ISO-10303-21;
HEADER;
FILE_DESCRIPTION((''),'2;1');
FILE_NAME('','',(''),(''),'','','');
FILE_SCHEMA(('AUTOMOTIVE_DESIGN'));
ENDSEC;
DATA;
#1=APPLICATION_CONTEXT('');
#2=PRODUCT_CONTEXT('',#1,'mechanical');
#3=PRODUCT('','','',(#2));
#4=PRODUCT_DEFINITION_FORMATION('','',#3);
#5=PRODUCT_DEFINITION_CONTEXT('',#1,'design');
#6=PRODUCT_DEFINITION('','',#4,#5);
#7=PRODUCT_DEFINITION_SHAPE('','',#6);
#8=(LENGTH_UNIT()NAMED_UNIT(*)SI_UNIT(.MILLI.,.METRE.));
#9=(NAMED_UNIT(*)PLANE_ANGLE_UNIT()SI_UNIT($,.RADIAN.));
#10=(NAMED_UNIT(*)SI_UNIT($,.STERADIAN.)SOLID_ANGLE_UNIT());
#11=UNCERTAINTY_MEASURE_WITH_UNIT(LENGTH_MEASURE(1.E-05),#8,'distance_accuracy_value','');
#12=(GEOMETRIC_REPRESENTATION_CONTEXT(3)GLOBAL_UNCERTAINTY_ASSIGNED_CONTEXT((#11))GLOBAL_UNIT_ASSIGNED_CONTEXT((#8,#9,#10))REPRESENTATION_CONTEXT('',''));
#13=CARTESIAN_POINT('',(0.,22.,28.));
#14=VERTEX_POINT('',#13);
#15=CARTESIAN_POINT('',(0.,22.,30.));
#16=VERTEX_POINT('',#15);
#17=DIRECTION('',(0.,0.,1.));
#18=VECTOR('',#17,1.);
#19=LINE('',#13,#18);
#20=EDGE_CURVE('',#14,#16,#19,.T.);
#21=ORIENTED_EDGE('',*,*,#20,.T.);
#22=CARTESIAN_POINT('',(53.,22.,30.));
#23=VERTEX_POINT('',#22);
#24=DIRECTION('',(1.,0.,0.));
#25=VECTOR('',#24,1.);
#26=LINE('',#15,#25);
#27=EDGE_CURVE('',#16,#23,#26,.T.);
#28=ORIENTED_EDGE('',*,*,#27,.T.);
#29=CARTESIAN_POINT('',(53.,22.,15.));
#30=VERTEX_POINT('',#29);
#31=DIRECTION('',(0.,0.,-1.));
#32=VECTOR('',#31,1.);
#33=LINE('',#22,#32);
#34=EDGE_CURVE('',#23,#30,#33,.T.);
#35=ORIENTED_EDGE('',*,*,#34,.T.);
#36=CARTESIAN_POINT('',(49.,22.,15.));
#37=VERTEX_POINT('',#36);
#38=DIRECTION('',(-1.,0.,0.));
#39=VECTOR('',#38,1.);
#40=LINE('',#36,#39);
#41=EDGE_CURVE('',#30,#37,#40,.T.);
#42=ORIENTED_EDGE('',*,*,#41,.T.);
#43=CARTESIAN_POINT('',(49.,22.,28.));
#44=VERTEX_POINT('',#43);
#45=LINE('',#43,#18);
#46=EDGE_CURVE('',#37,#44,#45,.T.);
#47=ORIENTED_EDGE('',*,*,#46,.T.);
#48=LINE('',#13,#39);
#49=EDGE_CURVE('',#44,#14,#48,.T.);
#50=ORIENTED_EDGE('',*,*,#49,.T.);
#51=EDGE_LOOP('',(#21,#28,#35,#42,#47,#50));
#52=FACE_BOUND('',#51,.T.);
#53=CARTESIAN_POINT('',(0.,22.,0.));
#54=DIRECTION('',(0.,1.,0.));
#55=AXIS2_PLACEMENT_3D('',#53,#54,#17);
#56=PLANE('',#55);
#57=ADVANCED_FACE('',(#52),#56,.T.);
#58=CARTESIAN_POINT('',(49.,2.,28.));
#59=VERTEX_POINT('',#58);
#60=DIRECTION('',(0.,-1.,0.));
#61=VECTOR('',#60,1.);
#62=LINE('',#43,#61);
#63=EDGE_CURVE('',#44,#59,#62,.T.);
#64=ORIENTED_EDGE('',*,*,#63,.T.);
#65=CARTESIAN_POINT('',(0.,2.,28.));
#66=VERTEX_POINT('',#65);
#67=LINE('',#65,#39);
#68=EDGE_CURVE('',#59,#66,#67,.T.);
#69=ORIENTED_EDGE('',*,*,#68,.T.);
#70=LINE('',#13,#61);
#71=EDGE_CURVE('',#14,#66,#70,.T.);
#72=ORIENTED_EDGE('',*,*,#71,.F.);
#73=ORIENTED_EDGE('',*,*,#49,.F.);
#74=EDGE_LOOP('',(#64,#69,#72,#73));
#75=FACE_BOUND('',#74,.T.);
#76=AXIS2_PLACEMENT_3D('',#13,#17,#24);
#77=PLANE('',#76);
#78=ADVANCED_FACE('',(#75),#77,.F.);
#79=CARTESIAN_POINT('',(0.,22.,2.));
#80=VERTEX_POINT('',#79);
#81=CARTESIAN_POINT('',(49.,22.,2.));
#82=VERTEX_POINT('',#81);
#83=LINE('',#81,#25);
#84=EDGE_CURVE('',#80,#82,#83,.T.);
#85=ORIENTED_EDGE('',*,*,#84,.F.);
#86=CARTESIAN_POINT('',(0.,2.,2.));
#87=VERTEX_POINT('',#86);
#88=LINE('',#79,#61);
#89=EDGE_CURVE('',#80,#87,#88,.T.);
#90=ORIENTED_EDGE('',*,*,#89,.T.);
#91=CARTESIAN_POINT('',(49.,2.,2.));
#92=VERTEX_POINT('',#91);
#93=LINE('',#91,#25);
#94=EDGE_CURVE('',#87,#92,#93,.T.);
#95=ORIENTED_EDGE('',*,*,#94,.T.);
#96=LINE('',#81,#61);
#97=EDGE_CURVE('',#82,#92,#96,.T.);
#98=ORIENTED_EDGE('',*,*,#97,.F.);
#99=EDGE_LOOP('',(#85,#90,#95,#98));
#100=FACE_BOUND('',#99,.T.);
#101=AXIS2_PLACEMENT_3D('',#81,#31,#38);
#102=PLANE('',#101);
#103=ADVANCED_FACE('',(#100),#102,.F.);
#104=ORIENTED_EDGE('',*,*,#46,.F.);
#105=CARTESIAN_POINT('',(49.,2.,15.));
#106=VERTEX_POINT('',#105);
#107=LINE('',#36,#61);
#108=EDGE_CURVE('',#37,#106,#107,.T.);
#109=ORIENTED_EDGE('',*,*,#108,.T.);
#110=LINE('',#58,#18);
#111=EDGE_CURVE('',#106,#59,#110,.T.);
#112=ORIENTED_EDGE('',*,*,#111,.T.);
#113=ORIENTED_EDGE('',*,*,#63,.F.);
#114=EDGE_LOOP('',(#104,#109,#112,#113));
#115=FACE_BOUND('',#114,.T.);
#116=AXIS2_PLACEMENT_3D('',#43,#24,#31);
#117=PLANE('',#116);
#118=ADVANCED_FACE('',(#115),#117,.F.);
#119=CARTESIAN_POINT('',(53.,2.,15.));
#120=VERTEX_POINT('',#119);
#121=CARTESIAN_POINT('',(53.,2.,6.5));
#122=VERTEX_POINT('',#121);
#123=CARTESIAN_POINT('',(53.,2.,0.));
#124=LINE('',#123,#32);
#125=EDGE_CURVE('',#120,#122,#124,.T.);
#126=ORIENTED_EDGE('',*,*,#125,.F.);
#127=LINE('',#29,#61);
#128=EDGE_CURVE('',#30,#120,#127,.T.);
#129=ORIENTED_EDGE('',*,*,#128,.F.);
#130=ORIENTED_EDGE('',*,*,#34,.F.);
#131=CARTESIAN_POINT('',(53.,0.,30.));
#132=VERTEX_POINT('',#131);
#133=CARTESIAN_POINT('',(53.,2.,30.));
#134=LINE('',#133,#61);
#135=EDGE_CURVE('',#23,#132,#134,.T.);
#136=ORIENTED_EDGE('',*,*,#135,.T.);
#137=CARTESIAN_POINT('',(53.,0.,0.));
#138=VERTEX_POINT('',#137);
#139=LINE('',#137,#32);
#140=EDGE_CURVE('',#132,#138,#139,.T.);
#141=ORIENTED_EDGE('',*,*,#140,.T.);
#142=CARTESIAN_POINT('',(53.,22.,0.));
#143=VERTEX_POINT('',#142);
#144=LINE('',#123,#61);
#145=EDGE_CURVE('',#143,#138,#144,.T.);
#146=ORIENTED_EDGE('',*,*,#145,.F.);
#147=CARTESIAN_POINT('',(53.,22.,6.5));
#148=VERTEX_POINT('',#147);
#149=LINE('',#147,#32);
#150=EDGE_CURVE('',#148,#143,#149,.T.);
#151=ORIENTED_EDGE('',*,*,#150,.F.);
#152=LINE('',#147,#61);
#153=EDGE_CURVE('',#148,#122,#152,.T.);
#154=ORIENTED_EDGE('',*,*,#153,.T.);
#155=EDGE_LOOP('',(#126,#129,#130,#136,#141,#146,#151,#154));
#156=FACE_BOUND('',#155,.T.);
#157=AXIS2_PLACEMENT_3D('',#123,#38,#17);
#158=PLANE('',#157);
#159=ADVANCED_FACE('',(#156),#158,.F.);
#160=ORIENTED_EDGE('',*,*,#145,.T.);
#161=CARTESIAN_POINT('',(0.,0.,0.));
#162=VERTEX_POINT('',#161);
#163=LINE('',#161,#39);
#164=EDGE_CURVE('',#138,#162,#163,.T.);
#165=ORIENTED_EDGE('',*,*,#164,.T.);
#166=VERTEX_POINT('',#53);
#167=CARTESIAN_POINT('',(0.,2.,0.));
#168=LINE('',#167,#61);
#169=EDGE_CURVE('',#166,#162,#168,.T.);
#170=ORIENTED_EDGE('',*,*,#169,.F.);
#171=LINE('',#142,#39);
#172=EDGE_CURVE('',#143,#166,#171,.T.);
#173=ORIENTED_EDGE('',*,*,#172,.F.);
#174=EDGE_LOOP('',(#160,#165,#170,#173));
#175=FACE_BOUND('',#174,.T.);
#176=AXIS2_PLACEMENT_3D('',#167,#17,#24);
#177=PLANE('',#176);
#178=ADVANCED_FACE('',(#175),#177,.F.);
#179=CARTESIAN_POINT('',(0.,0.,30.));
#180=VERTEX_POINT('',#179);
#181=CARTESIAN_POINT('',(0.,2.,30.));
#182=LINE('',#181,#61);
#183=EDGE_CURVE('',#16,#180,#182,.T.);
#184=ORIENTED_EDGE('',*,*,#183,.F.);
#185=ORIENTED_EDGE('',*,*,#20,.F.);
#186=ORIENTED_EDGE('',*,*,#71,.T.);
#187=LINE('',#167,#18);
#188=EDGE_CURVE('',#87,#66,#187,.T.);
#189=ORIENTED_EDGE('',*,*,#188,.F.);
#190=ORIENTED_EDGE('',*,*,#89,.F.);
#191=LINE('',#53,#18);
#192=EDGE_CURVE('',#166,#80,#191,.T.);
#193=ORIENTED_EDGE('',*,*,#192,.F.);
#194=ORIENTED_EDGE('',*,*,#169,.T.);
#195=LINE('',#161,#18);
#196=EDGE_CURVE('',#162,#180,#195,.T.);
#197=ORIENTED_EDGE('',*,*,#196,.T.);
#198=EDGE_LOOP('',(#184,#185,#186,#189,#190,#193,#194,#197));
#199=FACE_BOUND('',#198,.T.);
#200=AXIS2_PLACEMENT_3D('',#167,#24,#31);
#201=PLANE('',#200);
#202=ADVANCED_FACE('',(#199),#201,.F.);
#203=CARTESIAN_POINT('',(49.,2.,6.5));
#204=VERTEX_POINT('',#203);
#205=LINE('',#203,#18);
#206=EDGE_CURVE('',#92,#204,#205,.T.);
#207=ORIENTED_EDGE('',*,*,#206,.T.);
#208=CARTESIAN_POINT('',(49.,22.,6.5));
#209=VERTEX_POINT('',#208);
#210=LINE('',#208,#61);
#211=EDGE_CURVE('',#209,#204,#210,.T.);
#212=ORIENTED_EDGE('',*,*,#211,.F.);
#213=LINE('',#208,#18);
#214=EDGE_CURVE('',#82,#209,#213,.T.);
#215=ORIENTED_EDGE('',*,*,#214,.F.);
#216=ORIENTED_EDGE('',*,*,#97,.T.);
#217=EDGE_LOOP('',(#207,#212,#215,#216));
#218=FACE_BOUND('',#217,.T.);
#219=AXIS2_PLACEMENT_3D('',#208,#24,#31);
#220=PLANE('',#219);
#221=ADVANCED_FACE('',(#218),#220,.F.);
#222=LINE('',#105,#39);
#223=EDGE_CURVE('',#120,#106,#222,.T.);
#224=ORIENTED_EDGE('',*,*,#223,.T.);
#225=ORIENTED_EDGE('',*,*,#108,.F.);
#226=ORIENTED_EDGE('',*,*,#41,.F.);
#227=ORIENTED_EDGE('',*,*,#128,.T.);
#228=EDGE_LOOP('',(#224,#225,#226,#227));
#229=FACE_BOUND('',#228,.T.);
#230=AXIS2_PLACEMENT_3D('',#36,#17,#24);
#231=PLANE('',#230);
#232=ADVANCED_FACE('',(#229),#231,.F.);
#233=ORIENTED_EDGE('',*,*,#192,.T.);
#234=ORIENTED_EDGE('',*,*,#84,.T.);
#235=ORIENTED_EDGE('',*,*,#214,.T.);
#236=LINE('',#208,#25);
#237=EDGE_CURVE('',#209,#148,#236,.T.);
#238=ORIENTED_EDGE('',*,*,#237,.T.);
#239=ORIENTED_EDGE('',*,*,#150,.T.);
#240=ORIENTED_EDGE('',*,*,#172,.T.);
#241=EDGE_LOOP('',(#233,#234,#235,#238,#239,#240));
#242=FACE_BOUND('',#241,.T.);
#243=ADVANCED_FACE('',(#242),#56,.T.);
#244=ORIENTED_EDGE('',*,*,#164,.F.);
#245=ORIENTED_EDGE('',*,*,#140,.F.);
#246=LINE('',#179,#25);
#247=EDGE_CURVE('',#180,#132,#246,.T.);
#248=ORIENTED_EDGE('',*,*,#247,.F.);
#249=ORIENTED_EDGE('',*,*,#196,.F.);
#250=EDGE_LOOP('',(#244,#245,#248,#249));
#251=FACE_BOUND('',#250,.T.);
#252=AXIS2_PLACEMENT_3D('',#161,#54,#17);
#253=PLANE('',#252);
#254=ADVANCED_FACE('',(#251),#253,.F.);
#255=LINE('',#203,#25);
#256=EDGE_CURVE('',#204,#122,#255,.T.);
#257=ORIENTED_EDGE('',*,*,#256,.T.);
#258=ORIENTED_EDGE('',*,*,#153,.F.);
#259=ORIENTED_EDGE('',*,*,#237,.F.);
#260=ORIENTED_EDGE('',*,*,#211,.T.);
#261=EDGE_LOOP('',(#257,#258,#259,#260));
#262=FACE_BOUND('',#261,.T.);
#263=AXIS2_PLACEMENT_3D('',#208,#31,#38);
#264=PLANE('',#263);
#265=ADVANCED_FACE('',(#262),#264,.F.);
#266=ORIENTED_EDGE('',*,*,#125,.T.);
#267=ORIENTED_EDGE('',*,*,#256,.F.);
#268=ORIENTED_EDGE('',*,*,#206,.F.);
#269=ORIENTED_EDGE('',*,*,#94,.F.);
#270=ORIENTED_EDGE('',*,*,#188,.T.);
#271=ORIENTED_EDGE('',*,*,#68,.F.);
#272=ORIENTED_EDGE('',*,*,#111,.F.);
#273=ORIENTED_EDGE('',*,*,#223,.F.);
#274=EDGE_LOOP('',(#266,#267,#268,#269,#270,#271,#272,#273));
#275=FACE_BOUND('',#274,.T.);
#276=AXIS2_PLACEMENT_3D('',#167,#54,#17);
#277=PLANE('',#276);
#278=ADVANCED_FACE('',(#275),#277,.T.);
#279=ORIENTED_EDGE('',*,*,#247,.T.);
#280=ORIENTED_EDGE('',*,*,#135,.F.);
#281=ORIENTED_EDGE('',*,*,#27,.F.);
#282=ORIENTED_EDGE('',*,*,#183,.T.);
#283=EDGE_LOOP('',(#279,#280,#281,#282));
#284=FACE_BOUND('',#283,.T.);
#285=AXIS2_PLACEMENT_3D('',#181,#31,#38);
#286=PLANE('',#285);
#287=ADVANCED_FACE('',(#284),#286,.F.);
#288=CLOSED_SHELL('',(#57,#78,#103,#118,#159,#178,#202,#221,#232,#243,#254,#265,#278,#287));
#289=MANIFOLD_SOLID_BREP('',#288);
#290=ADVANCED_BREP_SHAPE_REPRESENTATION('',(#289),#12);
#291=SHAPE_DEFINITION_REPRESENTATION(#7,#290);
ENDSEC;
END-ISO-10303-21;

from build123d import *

# Parameters (mm, degrees)
SKETCH1_W           = 53
SKETCH1_H           = 30
BOSS_EXTRUDE1_DEPTH = 2
BOSS_EXTRUDE2_DEPTH = 20


with BuildPart() as part:
    # Sketch1 → Boss-Extrude1 (new body)
    with BuildSketch(Plane(origin=(0, 0, 0), x_dir=(1, 0, 0), z_dir=(0, 1, 0))):
        with Locations((26.5, -15)):
            Rectangle(SKETCH1_W, SKETCH1_H)
    extrude(amount=BOSS_EXTRUDE1_DEPTH)

    # Sketch2 → Boss-Extrude2 (add)
    with BuildSketch(Plane(origin=(0, 2, 0), x_dir=(1, 0, 0), z_dir=(0, 1, 0))):
        Polygon((0, -28), (49, -28), (49, -15), (53, -15), (53, -30), (0, -30), align=None)
        Polygon((49, -2), (0, -2), (0, 0), (53, 0), (53, -6.5), (49, -6.5), align=None)
    extrude(amount=BOSS_EXTRUDE2_DEPTH)


solid = part.part
